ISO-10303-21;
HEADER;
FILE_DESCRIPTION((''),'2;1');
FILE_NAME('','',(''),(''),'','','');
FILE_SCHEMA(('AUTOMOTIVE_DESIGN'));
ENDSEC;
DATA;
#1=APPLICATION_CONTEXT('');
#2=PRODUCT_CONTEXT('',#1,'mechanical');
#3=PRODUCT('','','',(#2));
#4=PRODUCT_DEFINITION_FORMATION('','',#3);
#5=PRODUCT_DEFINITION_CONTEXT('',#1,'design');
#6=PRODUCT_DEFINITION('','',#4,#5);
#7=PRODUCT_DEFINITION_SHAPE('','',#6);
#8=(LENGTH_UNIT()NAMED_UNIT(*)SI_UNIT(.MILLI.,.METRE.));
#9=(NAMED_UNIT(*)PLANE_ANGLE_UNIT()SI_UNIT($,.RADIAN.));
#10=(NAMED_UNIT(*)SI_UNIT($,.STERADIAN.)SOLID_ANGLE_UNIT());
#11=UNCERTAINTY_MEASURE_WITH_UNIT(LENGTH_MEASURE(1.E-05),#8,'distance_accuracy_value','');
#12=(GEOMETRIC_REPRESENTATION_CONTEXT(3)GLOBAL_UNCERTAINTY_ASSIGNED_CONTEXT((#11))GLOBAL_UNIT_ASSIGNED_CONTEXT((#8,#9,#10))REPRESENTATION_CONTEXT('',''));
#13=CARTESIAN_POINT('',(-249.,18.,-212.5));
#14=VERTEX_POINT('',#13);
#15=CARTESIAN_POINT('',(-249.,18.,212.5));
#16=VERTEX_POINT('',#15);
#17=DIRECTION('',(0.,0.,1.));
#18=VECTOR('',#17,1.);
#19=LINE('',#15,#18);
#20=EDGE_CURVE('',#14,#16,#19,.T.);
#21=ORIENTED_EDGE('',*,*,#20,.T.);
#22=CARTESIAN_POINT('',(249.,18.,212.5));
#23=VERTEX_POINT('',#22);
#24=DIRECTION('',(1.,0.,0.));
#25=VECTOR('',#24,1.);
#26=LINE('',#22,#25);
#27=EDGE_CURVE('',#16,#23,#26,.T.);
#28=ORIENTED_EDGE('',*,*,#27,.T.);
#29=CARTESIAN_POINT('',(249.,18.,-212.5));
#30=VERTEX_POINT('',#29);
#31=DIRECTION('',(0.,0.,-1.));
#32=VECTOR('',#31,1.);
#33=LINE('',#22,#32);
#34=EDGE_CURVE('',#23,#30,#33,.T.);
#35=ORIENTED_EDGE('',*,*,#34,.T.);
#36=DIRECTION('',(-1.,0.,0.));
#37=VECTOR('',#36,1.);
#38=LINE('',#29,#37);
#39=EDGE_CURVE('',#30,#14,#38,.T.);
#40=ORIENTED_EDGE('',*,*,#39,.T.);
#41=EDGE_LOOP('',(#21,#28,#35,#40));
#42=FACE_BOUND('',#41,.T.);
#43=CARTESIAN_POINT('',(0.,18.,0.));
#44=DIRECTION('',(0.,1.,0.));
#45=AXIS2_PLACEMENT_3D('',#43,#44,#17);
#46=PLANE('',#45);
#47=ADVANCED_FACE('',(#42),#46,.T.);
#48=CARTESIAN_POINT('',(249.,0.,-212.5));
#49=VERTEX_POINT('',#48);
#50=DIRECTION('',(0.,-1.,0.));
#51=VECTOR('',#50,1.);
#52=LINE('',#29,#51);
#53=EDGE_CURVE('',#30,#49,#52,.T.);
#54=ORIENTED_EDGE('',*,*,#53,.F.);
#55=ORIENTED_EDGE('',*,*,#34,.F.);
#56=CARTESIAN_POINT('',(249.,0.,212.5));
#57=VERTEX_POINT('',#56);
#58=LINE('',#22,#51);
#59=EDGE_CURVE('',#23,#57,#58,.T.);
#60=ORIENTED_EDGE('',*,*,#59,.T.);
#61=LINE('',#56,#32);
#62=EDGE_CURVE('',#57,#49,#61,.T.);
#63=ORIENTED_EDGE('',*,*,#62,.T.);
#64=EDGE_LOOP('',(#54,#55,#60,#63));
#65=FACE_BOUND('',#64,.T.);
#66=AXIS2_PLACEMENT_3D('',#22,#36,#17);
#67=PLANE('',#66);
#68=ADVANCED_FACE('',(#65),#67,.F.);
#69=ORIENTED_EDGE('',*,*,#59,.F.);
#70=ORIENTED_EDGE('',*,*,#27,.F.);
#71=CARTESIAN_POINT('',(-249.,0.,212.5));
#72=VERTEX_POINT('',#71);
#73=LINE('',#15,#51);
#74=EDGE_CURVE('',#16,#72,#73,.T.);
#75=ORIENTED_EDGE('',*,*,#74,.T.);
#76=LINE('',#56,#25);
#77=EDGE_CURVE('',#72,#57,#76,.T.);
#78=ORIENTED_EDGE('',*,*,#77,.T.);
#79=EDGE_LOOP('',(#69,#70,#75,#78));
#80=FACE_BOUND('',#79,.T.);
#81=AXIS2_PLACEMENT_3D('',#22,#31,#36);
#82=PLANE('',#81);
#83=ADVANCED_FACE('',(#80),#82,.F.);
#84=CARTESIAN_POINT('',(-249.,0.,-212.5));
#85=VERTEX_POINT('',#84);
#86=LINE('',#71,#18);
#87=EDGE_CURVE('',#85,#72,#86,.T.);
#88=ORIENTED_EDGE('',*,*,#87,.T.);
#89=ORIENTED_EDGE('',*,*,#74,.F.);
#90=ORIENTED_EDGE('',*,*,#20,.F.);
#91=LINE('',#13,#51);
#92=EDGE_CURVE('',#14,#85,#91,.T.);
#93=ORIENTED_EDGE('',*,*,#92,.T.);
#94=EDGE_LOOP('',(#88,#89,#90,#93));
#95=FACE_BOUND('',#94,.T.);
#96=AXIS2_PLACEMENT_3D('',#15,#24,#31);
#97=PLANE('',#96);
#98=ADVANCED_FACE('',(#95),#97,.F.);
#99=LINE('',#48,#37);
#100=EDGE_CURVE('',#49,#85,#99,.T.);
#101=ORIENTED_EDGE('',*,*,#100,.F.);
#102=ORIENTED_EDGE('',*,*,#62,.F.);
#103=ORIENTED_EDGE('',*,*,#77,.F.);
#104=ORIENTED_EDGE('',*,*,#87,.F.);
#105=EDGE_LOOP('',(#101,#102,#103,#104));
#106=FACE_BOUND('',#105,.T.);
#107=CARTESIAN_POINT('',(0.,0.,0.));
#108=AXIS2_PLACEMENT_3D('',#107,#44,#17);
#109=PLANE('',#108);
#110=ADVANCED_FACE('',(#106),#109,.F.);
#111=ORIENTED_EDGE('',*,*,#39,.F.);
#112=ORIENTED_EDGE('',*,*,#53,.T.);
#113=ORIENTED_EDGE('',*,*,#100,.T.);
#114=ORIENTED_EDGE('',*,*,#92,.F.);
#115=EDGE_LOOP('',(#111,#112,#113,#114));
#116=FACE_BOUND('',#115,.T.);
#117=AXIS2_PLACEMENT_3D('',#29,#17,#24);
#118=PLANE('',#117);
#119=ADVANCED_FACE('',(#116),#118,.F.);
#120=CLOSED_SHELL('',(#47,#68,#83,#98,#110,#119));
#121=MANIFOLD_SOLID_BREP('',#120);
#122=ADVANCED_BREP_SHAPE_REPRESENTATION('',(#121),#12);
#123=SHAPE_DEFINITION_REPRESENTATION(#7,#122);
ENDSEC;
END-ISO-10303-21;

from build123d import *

# Parameters (mm, degrees)
SKETCH_1_W      = 498
SKETCH_1_H      = 425
EXTRUDE_1_DEPTH = 18


with BuildPart() as part:
    # Эскиз1 → Бобышка-Вытянуть1 (new body)
    with BuildSketch(Plane(origin=(0, 0, 0), x_dir=(1, 0, 0), z_dir=(0, 1, 0))):
        Rectangle(SKETCH_1_W, SKETCH_1_H)
    extrude(amount=EXTRUDE_1_DEPTH)


solid = part.part
